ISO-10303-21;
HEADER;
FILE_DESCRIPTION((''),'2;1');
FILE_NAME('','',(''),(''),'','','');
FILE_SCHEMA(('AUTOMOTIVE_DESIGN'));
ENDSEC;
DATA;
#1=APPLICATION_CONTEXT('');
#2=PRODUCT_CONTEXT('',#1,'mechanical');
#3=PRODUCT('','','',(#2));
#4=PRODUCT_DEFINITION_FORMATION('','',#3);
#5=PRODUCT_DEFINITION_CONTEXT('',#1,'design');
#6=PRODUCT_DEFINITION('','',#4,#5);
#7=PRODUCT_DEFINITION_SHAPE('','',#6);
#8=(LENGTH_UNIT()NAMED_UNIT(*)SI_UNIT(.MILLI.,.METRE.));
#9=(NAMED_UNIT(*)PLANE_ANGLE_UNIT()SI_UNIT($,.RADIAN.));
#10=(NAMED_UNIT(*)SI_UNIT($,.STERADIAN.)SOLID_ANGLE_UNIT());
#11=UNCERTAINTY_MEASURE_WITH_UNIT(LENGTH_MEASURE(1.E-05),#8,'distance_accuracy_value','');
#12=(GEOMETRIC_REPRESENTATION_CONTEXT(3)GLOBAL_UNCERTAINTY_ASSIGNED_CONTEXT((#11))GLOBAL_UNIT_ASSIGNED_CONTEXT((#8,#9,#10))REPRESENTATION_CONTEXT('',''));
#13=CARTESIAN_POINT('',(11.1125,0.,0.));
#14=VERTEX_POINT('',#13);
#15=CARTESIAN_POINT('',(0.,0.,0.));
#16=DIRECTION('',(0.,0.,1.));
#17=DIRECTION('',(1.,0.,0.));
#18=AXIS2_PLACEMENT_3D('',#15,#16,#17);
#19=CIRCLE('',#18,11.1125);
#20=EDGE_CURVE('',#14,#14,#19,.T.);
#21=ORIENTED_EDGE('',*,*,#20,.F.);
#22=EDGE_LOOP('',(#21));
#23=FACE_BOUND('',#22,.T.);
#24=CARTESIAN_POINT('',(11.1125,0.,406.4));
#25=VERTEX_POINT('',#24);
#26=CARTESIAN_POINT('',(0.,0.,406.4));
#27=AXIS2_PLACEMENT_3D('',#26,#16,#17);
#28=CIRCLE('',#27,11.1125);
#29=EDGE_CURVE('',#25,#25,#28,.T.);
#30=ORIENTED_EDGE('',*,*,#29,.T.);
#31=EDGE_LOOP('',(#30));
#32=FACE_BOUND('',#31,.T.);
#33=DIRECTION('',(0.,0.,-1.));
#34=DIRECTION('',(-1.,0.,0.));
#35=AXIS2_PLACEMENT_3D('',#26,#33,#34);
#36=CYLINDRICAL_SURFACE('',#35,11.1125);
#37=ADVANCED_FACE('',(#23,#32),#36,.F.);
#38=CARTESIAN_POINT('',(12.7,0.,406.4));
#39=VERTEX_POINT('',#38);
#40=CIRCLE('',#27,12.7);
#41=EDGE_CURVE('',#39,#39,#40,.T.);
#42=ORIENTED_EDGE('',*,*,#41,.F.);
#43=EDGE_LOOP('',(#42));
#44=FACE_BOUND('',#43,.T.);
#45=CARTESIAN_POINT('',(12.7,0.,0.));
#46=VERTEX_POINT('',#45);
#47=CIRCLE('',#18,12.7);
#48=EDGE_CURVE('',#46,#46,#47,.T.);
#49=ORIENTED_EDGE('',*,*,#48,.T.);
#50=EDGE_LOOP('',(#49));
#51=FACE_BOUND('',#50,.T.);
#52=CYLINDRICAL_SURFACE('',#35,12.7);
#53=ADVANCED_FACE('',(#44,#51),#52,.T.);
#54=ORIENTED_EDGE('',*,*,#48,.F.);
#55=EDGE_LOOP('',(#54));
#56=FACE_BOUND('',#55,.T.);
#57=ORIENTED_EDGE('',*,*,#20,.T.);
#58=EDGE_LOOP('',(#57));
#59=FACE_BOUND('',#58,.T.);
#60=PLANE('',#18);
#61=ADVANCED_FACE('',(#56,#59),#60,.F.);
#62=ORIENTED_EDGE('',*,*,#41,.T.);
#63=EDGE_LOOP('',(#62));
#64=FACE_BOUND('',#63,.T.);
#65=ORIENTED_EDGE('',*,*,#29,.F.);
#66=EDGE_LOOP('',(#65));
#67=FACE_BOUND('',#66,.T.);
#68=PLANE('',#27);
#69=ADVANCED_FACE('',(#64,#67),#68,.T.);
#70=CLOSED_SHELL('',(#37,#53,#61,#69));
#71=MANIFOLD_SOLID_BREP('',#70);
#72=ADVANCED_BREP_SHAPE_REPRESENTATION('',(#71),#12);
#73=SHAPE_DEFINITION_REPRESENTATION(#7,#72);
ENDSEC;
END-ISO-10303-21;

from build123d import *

# Parameters (mm, degrees)
SKETCH1_R           = 12.7
SKETCH1_R_2         = 11.1125
BOSS_EXTRUDE1_DEPTH = 406.4


with BuildPart() as part:
    # Sketch1 → Boss-Extrude1 (new body)
    with BuildSketch(Plane.XY):
        Circle(SKETCH1_R)
        Circle(SKETCH1_R_2, mode=Mode.SUBTRACT)
    extrude(amount=BOSS_EXTRUDE1_DEPTH)


solid = part.part
